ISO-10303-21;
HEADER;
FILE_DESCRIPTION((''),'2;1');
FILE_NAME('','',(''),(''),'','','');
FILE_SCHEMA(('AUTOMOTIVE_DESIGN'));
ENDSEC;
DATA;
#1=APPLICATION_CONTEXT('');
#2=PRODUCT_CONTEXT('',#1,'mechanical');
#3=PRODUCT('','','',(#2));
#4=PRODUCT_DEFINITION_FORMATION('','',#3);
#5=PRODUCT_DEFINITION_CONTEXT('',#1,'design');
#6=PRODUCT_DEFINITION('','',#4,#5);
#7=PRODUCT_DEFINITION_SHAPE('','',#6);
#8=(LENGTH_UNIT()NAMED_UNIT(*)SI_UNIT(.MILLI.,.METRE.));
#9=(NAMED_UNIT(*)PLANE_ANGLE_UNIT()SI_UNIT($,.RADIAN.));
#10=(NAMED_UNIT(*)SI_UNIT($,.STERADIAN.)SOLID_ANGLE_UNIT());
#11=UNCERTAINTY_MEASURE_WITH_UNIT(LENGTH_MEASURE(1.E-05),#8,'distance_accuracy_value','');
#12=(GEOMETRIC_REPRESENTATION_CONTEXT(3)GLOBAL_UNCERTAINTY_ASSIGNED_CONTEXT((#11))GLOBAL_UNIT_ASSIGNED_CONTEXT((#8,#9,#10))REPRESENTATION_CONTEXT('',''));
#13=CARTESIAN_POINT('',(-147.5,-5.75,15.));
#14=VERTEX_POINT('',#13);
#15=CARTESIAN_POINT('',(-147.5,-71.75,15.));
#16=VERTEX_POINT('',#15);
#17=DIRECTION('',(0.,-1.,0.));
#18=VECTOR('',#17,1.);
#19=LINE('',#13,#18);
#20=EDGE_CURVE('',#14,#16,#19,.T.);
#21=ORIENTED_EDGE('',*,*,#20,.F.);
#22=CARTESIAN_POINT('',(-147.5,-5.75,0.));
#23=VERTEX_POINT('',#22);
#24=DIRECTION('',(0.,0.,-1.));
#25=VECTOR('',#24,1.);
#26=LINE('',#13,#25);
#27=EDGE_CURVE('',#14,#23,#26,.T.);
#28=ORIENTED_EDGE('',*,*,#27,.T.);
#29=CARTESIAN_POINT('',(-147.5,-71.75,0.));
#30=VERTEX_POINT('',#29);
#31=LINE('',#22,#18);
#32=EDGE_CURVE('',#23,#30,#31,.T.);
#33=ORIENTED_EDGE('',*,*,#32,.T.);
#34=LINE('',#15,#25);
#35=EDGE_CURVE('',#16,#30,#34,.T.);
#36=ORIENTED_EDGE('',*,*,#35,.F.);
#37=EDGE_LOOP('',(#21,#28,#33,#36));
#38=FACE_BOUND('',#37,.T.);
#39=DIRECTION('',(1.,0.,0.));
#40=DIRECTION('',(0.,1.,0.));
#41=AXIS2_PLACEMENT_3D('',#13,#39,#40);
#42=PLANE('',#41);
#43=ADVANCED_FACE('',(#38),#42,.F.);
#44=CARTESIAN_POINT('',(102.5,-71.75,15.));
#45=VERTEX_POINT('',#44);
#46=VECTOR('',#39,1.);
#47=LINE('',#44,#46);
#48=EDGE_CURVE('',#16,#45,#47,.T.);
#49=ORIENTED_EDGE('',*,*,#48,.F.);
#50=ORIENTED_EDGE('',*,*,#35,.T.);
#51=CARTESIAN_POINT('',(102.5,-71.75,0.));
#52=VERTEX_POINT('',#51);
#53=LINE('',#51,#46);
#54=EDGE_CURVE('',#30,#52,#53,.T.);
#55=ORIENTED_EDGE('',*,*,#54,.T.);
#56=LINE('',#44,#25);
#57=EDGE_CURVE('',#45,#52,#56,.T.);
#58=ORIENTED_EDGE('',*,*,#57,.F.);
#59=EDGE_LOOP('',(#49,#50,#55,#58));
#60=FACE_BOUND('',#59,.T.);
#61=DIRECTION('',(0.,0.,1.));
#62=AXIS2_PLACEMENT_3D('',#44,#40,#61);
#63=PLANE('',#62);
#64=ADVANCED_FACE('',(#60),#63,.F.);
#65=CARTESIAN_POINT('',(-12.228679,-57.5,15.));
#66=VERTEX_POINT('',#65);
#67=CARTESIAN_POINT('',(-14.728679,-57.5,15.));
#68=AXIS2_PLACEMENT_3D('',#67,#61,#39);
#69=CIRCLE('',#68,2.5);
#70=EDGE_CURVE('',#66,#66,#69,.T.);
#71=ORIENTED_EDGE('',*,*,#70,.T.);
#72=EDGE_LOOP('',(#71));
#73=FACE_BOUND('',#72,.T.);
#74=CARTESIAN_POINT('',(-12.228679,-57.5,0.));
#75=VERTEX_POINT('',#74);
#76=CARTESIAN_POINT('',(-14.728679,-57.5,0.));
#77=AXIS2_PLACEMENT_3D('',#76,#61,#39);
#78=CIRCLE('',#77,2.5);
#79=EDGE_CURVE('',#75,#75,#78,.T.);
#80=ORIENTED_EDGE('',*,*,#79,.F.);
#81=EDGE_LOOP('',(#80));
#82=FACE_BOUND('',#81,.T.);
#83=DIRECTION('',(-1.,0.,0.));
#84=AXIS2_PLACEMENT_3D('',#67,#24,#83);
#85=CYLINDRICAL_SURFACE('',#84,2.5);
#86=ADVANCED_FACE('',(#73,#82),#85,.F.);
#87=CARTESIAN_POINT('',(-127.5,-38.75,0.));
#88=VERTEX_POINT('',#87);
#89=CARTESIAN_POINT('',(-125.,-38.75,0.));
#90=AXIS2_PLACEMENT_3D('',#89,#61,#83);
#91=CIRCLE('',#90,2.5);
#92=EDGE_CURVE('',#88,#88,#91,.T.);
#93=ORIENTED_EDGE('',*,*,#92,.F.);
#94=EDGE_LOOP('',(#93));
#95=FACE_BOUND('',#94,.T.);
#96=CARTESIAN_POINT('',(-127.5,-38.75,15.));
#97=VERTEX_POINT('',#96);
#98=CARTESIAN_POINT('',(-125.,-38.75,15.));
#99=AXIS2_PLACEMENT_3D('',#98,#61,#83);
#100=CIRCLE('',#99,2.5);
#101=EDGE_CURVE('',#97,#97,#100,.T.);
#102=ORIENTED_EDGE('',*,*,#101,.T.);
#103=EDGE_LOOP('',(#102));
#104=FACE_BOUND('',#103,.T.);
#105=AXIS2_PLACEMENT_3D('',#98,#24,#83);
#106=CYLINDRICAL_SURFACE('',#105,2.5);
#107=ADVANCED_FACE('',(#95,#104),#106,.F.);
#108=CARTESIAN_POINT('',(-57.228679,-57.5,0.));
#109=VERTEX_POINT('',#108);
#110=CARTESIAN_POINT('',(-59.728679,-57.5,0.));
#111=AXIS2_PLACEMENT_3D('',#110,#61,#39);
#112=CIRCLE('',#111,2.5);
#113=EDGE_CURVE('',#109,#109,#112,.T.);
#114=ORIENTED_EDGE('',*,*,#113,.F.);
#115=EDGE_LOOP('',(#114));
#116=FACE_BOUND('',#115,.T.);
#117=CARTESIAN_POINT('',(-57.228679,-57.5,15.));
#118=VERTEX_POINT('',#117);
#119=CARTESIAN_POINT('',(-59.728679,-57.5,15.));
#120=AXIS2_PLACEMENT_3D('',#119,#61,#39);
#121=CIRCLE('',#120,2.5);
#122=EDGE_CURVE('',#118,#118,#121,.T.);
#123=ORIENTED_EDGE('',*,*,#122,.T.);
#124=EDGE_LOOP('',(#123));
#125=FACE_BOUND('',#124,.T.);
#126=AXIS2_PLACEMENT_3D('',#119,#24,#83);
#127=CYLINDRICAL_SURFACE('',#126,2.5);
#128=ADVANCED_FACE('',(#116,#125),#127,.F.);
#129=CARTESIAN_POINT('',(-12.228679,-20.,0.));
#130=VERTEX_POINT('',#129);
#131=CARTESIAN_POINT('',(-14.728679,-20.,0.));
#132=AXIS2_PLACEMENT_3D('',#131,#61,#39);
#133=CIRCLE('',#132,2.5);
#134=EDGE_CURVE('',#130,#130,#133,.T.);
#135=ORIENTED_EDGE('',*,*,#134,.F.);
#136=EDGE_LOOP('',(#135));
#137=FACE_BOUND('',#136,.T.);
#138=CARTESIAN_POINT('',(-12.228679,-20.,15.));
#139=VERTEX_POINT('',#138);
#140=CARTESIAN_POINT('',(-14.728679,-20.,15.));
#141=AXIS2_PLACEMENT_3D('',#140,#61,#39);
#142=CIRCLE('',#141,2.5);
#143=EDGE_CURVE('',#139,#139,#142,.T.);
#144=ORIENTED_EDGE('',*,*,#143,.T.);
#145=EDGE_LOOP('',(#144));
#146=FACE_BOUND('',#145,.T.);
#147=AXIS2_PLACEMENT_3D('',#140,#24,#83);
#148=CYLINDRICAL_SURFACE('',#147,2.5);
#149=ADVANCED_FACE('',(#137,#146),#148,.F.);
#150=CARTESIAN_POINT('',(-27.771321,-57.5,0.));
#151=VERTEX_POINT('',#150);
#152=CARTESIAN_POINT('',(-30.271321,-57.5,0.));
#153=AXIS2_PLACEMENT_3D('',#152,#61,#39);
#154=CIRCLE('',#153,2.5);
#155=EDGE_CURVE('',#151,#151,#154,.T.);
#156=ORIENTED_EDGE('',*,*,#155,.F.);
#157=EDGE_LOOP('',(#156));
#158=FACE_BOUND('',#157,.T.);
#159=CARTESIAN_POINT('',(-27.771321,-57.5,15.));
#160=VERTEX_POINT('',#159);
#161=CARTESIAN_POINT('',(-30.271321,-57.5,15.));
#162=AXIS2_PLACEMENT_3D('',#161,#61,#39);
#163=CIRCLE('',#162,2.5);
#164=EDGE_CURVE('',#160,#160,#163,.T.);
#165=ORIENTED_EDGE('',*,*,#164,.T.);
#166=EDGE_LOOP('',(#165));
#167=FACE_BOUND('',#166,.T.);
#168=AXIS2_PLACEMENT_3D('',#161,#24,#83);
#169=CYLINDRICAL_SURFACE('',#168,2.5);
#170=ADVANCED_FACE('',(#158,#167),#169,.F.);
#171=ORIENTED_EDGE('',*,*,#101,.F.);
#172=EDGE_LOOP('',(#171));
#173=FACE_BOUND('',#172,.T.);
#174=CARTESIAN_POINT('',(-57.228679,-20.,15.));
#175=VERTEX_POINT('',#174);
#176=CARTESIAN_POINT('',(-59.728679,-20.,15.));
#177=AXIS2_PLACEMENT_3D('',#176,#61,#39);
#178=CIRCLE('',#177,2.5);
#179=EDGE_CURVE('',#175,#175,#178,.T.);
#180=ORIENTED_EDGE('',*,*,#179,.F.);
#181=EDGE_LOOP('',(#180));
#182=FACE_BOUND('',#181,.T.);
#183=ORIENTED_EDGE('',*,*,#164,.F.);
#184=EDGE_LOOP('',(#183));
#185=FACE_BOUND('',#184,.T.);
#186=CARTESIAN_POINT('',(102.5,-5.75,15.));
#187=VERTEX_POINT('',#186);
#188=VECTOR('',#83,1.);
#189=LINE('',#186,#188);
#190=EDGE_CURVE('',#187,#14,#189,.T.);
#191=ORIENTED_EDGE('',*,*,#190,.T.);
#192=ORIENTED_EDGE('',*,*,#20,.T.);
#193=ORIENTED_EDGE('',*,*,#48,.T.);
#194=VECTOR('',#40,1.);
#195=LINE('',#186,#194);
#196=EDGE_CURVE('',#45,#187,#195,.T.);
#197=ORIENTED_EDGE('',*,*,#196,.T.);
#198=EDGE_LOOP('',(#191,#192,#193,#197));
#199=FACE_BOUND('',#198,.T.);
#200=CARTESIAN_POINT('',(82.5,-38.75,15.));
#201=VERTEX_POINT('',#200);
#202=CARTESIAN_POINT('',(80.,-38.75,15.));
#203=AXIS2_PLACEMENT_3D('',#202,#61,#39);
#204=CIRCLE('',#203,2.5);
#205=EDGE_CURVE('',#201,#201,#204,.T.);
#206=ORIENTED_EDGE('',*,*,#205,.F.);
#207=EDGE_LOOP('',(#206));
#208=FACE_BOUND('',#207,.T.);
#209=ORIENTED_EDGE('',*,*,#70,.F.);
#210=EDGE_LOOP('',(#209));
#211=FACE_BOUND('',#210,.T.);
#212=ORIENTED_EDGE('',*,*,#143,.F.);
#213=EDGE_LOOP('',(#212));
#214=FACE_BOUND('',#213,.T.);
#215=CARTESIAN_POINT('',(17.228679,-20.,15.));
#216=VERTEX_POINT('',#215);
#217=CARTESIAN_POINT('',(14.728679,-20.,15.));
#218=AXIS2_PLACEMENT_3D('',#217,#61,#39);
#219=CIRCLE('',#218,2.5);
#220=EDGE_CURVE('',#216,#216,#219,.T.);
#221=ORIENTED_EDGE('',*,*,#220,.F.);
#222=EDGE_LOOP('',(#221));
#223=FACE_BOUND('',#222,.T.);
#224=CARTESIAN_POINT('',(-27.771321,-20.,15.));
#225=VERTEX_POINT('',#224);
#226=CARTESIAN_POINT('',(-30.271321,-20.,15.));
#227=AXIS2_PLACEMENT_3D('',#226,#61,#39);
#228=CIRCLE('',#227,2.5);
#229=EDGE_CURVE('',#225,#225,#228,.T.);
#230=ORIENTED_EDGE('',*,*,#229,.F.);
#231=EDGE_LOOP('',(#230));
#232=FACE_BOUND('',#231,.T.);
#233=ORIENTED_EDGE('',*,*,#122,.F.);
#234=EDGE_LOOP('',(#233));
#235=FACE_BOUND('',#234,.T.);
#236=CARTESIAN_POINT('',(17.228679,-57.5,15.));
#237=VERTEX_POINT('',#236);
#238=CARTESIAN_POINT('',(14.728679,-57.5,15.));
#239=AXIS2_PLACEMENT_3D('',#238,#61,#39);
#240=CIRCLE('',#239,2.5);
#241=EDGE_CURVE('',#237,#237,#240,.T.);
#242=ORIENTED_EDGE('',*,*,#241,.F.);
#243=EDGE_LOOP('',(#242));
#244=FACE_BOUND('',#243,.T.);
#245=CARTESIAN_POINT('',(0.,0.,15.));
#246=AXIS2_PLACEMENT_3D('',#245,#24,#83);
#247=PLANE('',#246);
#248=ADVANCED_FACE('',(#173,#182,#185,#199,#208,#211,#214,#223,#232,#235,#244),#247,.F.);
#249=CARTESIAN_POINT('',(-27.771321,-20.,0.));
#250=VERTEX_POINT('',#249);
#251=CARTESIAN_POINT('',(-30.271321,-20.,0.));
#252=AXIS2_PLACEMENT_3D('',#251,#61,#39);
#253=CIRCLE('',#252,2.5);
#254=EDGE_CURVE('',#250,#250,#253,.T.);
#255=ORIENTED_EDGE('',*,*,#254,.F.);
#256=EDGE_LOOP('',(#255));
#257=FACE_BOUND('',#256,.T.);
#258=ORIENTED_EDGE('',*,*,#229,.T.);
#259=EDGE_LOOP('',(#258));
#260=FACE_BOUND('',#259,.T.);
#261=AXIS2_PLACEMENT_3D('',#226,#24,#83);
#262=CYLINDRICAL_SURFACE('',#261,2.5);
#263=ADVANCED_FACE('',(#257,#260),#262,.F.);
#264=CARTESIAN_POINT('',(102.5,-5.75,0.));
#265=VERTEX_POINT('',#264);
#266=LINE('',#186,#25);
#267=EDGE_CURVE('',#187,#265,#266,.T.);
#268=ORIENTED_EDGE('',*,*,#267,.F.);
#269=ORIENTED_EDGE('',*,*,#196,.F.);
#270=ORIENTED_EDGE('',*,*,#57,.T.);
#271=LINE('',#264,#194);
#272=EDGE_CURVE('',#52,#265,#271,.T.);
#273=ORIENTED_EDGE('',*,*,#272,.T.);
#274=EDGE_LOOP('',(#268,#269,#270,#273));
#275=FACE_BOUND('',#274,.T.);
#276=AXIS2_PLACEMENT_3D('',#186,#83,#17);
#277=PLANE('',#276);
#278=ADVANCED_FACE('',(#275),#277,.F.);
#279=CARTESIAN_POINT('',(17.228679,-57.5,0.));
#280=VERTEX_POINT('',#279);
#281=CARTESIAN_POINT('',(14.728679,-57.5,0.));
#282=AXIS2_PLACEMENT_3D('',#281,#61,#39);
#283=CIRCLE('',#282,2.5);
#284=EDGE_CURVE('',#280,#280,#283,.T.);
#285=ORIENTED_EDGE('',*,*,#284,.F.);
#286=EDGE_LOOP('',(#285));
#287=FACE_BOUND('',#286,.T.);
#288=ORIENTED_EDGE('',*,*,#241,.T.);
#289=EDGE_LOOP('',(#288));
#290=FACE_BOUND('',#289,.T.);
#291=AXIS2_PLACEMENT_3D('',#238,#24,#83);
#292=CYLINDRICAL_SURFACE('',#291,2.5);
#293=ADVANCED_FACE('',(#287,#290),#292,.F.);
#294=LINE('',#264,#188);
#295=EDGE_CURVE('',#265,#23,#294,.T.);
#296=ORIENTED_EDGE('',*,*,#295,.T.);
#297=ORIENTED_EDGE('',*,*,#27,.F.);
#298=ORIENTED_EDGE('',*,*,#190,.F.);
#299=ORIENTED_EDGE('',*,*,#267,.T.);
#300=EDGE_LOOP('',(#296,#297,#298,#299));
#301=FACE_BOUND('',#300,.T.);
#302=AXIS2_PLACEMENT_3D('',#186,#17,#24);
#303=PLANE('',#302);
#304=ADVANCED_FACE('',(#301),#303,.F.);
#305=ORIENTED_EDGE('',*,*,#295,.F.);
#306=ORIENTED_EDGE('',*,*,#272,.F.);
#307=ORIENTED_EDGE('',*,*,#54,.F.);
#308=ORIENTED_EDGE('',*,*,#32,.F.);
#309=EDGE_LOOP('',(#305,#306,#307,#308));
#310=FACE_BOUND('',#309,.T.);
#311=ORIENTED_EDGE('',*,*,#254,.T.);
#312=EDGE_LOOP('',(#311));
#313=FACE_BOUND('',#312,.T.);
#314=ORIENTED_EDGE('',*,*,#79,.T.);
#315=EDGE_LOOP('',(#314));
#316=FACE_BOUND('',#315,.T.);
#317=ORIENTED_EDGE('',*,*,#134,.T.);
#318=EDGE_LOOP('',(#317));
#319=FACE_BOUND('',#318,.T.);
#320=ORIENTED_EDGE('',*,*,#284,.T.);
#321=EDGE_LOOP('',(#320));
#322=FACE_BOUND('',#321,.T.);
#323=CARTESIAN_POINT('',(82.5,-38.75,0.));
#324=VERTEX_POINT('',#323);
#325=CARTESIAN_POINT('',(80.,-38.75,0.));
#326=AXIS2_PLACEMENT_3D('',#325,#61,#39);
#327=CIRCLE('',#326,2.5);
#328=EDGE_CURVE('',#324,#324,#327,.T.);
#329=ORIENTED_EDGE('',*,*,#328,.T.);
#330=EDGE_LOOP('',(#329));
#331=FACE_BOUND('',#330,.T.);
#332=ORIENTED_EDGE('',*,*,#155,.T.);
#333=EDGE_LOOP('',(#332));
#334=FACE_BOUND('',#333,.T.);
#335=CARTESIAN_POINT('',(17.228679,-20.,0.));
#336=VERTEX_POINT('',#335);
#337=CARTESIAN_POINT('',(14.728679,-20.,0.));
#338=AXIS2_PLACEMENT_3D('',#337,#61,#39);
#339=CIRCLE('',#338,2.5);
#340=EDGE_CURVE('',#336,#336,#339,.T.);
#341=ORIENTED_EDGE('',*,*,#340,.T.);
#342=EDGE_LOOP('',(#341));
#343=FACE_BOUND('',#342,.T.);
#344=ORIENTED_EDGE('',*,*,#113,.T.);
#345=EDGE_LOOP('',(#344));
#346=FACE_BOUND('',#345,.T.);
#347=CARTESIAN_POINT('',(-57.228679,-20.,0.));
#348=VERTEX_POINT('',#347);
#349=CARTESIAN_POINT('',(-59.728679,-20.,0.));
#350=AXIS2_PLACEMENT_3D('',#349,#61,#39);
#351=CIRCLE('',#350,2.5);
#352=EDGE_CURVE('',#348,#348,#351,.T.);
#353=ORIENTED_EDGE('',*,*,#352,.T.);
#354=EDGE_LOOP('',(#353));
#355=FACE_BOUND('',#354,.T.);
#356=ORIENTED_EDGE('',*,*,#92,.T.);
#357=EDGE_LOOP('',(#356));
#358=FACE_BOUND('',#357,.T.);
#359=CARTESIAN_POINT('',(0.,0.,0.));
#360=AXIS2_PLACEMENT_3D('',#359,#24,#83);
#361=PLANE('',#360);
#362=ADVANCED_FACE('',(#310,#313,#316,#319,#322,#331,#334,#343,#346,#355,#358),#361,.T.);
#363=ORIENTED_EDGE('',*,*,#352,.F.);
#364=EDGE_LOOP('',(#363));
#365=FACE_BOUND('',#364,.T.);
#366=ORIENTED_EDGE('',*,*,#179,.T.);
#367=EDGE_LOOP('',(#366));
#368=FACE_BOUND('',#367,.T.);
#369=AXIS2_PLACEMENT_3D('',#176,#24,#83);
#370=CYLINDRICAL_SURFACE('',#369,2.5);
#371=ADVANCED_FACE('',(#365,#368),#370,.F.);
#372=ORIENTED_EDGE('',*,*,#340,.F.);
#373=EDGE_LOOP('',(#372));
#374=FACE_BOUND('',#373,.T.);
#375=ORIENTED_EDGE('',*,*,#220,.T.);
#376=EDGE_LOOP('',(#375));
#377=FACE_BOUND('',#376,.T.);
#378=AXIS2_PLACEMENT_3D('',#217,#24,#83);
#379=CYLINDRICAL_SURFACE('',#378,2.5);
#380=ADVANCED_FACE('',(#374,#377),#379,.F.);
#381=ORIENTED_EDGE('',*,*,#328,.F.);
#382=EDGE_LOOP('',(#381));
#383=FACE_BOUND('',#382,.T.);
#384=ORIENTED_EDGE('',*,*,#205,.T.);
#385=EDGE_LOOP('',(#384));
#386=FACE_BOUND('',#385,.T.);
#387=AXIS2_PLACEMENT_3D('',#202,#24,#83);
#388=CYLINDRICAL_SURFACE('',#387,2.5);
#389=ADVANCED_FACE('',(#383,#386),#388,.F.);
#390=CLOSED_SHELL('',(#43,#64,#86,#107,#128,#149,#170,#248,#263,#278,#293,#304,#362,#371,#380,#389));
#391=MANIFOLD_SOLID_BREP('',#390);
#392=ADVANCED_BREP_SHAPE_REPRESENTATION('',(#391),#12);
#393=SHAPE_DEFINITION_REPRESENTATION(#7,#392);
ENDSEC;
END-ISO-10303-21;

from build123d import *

# Parameters (mm, degrees)
SKETCH1_W           = 250
SKETCH1_H           = 66
SKETCH1_R           = 2.5
BOSS_EXTRUDE1_DEPTH = 15


with BuildPart() as part:
    # Sketch1 → Boss-Extrude1 (new body)
    with BuildSketch(Plane.XY):
        with Locations((-22.5, -38.75)):
            Rectangle(SKETCH1_W, SKETCH1_H)
        with Locations((14.728679071, -20)):
            Circle(SKETCH1_R, mode=Mode.SUBTRACT)
        with Locations((14.728679071, -57.5)):
            Circle(SKETCH1_R, mode=Mode.SUBTRACT)
        with Locations((-14.728679071, -57.5)):
            Circle(SKETCH1_R, mode=Mode.SUBTRACT)
        with Locations((-14.728679071, -20)):
            Circle(SKETCH1_R, mode=Mode.SUBTRACT)
        with Locations((-30.271320929, -20)):
            Circle(SKETCH1_R, mode=Mode.SUBTRACT)
        with Locations((-30.271320929, -57.5)):
            Circle(SKETCH1_R, mode=Mode.SUBTRACT)
        with Locations((-59.728679071, -57.5)):
            Circle(SKETCH1_R, mode=Mode.SUBTRACT)
        with Locations((-59.728679071, -20)):
            Circle(SKETCH1_R, mode=Mode.SUBTRACT)
        with Locations((80, -38.75)):
            Circle(SKETCH1_R, mode=Mode.SUBTRACT)
        with Locations(Location((-125, -38.75, 0), (0, 0, 180))):
            Circle(SKETCH1_R, mode=Mode.SUBTRACT)
    extrude(amount=BOSS_EXTRUDE1_DEPTH)


solid = part.part
